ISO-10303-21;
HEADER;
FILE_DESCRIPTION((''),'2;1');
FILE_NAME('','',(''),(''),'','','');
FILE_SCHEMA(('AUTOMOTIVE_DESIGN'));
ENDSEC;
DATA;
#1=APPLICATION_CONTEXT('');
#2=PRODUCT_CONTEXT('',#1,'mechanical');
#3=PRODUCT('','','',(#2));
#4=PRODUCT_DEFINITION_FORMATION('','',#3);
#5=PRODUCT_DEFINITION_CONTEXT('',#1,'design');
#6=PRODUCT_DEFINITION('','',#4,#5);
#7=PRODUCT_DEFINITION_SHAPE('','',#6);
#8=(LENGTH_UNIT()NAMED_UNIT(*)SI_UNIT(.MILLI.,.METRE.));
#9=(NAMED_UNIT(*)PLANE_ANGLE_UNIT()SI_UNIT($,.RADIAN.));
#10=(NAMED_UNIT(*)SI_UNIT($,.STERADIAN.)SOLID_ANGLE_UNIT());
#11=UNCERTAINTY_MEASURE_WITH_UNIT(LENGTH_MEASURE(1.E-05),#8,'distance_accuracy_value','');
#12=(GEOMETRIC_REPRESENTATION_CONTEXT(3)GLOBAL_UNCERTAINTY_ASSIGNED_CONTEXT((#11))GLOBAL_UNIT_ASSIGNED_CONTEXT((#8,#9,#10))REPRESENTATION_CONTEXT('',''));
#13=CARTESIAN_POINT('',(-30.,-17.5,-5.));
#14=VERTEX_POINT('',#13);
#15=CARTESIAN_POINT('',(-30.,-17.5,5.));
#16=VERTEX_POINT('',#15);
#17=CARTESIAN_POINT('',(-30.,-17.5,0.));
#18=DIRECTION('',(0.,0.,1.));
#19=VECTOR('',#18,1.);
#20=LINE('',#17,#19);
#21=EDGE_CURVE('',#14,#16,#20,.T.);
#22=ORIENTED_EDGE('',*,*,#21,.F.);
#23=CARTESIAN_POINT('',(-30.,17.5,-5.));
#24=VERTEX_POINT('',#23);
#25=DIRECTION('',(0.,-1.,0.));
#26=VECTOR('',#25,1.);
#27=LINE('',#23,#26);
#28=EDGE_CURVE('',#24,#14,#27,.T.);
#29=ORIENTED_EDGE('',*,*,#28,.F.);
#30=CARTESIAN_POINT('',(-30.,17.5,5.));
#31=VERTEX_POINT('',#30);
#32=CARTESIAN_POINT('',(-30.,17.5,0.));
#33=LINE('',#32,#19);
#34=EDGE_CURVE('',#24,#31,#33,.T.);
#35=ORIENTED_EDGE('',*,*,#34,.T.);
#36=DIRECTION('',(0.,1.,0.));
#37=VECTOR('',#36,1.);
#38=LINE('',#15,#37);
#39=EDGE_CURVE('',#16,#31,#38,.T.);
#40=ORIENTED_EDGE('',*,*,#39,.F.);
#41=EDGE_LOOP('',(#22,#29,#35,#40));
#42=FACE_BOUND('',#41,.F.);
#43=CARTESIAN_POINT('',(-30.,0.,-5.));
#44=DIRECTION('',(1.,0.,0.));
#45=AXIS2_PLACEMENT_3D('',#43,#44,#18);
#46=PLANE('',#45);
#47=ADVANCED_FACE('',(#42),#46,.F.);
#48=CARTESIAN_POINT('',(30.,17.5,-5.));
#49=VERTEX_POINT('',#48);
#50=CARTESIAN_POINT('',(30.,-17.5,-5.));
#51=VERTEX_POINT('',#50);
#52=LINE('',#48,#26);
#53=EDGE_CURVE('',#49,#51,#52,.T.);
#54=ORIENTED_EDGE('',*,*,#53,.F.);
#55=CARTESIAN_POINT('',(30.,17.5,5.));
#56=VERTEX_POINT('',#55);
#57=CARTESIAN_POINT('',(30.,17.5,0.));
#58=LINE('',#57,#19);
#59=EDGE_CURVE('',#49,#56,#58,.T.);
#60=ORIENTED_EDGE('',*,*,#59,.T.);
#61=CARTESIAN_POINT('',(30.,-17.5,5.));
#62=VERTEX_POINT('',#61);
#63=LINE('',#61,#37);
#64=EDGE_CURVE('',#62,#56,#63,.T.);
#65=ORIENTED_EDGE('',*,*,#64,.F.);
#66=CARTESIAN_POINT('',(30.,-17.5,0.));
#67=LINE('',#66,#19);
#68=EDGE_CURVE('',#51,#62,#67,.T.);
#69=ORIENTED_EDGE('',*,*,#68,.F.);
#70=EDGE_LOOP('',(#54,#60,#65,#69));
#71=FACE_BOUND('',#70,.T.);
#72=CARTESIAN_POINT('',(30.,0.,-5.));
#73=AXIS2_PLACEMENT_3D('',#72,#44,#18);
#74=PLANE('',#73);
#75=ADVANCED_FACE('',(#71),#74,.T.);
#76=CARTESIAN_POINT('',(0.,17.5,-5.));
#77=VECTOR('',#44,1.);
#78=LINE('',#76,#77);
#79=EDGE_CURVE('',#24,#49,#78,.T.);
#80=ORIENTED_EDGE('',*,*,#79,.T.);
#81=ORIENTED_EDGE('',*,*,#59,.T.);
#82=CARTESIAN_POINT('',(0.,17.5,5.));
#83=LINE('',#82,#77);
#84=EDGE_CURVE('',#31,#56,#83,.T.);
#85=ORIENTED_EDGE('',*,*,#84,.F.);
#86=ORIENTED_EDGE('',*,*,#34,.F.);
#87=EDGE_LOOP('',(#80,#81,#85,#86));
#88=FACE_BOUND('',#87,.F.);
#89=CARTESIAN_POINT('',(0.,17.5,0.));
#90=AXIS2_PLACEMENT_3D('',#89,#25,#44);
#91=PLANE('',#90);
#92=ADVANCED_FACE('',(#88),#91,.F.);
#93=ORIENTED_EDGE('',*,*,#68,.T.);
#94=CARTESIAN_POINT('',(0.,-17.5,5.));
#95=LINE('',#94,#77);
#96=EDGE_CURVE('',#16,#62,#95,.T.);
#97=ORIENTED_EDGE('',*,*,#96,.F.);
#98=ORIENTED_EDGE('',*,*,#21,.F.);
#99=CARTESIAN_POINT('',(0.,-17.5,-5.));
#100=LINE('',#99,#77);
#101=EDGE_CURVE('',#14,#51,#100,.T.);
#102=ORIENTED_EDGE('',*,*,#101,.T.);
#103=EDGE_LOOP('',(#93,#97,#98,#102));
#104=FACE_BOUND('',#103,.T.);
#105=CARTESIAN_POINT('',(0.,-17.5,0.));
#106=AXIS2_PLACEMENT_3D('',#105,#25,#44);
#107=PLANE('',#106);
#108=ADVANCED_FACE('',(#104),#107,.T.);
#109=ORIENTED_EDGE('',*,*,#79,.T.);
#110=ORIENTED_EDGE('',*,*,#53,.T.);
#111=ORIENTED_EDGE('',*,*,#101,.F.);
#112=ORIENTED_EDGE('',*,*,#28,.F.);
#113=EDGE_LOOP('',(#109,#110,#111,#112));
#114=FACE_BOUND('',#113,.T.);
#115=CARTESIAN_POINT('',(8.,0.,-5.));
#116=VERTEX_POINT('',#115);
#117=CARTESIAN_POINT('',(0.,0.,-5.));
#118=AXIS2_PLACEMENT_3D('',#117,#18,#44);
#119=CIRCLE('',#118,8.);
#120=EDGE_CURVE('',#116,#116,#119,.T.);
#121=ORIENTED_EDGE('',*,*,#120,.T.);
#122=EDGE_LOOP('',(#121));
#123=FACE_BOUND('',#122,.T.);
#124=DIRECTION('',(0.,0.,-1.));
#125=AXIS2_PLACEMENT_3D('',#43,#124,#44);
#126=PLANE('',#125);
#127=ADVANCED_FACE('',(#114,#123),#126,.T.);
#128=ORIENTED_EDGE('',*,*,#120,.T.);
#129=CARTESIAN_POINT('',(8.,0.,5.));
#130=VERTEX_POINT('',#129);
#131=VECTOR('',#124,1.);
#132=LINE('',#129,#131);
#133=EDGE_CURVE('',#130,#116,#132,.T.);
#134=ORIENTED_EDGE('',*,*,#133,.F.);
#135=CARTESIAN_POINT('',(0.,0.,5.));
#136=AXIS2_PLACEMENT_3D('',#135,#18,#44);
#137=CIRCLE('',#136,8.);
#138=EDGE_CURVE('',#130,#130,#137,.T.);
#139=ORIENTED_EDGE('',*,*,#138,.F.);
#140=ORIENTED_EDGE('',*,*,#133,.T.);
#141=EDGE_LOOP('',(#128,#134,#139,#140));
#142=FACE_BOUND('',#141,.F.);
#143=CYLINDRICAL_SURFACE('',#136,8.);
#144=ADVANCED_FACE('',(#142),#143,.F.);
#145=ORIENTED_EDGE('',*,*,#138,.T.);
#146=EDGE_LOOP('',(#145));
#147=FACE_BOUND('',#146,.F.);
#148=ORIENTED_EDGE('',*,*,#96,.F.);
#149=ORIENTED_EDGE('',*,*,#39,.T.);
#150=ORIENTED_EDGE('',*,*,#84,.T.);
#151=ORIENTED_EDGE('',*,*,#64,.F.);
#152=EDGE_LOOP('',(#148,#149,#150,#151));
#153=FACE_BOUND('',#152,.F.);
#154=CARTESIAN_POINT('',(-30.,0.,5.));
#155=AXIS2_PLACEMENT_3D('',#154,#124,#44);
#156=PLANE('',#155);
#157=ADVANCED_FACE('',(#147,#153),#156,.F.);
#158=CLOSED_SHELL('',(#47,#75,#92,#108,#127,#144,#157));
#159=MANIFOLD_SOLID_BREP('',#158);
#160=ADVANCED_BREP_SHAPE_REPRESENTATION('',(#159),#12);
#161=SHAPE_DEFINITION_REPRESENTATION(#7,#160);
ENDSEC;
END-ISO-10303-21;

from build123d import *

# Parameters (mm, degrees)
F0_W     = 60
F0_H     = 10
F1_DEPTH = 17.5
F2_R     = 8
F3_DEPTH = 10.001


with BuildPart() as f1:
    # F0 (on Front) → F1 (new body, symmetric)
    with BuildSketch(Plane.XZ):
        Rectangle(F0_W, F0_H)
    extrude(amount=F1_DEPTH, both=True)

    # F2 (on face) → F3 (cut, through all)
    with BuildSketch(Plane.XY.offset(5)):
        Circle(F2_R)
    extrude(amount=-F3_DEPTH, mode=Mode.SUBTRACT)


solid = f1.part
